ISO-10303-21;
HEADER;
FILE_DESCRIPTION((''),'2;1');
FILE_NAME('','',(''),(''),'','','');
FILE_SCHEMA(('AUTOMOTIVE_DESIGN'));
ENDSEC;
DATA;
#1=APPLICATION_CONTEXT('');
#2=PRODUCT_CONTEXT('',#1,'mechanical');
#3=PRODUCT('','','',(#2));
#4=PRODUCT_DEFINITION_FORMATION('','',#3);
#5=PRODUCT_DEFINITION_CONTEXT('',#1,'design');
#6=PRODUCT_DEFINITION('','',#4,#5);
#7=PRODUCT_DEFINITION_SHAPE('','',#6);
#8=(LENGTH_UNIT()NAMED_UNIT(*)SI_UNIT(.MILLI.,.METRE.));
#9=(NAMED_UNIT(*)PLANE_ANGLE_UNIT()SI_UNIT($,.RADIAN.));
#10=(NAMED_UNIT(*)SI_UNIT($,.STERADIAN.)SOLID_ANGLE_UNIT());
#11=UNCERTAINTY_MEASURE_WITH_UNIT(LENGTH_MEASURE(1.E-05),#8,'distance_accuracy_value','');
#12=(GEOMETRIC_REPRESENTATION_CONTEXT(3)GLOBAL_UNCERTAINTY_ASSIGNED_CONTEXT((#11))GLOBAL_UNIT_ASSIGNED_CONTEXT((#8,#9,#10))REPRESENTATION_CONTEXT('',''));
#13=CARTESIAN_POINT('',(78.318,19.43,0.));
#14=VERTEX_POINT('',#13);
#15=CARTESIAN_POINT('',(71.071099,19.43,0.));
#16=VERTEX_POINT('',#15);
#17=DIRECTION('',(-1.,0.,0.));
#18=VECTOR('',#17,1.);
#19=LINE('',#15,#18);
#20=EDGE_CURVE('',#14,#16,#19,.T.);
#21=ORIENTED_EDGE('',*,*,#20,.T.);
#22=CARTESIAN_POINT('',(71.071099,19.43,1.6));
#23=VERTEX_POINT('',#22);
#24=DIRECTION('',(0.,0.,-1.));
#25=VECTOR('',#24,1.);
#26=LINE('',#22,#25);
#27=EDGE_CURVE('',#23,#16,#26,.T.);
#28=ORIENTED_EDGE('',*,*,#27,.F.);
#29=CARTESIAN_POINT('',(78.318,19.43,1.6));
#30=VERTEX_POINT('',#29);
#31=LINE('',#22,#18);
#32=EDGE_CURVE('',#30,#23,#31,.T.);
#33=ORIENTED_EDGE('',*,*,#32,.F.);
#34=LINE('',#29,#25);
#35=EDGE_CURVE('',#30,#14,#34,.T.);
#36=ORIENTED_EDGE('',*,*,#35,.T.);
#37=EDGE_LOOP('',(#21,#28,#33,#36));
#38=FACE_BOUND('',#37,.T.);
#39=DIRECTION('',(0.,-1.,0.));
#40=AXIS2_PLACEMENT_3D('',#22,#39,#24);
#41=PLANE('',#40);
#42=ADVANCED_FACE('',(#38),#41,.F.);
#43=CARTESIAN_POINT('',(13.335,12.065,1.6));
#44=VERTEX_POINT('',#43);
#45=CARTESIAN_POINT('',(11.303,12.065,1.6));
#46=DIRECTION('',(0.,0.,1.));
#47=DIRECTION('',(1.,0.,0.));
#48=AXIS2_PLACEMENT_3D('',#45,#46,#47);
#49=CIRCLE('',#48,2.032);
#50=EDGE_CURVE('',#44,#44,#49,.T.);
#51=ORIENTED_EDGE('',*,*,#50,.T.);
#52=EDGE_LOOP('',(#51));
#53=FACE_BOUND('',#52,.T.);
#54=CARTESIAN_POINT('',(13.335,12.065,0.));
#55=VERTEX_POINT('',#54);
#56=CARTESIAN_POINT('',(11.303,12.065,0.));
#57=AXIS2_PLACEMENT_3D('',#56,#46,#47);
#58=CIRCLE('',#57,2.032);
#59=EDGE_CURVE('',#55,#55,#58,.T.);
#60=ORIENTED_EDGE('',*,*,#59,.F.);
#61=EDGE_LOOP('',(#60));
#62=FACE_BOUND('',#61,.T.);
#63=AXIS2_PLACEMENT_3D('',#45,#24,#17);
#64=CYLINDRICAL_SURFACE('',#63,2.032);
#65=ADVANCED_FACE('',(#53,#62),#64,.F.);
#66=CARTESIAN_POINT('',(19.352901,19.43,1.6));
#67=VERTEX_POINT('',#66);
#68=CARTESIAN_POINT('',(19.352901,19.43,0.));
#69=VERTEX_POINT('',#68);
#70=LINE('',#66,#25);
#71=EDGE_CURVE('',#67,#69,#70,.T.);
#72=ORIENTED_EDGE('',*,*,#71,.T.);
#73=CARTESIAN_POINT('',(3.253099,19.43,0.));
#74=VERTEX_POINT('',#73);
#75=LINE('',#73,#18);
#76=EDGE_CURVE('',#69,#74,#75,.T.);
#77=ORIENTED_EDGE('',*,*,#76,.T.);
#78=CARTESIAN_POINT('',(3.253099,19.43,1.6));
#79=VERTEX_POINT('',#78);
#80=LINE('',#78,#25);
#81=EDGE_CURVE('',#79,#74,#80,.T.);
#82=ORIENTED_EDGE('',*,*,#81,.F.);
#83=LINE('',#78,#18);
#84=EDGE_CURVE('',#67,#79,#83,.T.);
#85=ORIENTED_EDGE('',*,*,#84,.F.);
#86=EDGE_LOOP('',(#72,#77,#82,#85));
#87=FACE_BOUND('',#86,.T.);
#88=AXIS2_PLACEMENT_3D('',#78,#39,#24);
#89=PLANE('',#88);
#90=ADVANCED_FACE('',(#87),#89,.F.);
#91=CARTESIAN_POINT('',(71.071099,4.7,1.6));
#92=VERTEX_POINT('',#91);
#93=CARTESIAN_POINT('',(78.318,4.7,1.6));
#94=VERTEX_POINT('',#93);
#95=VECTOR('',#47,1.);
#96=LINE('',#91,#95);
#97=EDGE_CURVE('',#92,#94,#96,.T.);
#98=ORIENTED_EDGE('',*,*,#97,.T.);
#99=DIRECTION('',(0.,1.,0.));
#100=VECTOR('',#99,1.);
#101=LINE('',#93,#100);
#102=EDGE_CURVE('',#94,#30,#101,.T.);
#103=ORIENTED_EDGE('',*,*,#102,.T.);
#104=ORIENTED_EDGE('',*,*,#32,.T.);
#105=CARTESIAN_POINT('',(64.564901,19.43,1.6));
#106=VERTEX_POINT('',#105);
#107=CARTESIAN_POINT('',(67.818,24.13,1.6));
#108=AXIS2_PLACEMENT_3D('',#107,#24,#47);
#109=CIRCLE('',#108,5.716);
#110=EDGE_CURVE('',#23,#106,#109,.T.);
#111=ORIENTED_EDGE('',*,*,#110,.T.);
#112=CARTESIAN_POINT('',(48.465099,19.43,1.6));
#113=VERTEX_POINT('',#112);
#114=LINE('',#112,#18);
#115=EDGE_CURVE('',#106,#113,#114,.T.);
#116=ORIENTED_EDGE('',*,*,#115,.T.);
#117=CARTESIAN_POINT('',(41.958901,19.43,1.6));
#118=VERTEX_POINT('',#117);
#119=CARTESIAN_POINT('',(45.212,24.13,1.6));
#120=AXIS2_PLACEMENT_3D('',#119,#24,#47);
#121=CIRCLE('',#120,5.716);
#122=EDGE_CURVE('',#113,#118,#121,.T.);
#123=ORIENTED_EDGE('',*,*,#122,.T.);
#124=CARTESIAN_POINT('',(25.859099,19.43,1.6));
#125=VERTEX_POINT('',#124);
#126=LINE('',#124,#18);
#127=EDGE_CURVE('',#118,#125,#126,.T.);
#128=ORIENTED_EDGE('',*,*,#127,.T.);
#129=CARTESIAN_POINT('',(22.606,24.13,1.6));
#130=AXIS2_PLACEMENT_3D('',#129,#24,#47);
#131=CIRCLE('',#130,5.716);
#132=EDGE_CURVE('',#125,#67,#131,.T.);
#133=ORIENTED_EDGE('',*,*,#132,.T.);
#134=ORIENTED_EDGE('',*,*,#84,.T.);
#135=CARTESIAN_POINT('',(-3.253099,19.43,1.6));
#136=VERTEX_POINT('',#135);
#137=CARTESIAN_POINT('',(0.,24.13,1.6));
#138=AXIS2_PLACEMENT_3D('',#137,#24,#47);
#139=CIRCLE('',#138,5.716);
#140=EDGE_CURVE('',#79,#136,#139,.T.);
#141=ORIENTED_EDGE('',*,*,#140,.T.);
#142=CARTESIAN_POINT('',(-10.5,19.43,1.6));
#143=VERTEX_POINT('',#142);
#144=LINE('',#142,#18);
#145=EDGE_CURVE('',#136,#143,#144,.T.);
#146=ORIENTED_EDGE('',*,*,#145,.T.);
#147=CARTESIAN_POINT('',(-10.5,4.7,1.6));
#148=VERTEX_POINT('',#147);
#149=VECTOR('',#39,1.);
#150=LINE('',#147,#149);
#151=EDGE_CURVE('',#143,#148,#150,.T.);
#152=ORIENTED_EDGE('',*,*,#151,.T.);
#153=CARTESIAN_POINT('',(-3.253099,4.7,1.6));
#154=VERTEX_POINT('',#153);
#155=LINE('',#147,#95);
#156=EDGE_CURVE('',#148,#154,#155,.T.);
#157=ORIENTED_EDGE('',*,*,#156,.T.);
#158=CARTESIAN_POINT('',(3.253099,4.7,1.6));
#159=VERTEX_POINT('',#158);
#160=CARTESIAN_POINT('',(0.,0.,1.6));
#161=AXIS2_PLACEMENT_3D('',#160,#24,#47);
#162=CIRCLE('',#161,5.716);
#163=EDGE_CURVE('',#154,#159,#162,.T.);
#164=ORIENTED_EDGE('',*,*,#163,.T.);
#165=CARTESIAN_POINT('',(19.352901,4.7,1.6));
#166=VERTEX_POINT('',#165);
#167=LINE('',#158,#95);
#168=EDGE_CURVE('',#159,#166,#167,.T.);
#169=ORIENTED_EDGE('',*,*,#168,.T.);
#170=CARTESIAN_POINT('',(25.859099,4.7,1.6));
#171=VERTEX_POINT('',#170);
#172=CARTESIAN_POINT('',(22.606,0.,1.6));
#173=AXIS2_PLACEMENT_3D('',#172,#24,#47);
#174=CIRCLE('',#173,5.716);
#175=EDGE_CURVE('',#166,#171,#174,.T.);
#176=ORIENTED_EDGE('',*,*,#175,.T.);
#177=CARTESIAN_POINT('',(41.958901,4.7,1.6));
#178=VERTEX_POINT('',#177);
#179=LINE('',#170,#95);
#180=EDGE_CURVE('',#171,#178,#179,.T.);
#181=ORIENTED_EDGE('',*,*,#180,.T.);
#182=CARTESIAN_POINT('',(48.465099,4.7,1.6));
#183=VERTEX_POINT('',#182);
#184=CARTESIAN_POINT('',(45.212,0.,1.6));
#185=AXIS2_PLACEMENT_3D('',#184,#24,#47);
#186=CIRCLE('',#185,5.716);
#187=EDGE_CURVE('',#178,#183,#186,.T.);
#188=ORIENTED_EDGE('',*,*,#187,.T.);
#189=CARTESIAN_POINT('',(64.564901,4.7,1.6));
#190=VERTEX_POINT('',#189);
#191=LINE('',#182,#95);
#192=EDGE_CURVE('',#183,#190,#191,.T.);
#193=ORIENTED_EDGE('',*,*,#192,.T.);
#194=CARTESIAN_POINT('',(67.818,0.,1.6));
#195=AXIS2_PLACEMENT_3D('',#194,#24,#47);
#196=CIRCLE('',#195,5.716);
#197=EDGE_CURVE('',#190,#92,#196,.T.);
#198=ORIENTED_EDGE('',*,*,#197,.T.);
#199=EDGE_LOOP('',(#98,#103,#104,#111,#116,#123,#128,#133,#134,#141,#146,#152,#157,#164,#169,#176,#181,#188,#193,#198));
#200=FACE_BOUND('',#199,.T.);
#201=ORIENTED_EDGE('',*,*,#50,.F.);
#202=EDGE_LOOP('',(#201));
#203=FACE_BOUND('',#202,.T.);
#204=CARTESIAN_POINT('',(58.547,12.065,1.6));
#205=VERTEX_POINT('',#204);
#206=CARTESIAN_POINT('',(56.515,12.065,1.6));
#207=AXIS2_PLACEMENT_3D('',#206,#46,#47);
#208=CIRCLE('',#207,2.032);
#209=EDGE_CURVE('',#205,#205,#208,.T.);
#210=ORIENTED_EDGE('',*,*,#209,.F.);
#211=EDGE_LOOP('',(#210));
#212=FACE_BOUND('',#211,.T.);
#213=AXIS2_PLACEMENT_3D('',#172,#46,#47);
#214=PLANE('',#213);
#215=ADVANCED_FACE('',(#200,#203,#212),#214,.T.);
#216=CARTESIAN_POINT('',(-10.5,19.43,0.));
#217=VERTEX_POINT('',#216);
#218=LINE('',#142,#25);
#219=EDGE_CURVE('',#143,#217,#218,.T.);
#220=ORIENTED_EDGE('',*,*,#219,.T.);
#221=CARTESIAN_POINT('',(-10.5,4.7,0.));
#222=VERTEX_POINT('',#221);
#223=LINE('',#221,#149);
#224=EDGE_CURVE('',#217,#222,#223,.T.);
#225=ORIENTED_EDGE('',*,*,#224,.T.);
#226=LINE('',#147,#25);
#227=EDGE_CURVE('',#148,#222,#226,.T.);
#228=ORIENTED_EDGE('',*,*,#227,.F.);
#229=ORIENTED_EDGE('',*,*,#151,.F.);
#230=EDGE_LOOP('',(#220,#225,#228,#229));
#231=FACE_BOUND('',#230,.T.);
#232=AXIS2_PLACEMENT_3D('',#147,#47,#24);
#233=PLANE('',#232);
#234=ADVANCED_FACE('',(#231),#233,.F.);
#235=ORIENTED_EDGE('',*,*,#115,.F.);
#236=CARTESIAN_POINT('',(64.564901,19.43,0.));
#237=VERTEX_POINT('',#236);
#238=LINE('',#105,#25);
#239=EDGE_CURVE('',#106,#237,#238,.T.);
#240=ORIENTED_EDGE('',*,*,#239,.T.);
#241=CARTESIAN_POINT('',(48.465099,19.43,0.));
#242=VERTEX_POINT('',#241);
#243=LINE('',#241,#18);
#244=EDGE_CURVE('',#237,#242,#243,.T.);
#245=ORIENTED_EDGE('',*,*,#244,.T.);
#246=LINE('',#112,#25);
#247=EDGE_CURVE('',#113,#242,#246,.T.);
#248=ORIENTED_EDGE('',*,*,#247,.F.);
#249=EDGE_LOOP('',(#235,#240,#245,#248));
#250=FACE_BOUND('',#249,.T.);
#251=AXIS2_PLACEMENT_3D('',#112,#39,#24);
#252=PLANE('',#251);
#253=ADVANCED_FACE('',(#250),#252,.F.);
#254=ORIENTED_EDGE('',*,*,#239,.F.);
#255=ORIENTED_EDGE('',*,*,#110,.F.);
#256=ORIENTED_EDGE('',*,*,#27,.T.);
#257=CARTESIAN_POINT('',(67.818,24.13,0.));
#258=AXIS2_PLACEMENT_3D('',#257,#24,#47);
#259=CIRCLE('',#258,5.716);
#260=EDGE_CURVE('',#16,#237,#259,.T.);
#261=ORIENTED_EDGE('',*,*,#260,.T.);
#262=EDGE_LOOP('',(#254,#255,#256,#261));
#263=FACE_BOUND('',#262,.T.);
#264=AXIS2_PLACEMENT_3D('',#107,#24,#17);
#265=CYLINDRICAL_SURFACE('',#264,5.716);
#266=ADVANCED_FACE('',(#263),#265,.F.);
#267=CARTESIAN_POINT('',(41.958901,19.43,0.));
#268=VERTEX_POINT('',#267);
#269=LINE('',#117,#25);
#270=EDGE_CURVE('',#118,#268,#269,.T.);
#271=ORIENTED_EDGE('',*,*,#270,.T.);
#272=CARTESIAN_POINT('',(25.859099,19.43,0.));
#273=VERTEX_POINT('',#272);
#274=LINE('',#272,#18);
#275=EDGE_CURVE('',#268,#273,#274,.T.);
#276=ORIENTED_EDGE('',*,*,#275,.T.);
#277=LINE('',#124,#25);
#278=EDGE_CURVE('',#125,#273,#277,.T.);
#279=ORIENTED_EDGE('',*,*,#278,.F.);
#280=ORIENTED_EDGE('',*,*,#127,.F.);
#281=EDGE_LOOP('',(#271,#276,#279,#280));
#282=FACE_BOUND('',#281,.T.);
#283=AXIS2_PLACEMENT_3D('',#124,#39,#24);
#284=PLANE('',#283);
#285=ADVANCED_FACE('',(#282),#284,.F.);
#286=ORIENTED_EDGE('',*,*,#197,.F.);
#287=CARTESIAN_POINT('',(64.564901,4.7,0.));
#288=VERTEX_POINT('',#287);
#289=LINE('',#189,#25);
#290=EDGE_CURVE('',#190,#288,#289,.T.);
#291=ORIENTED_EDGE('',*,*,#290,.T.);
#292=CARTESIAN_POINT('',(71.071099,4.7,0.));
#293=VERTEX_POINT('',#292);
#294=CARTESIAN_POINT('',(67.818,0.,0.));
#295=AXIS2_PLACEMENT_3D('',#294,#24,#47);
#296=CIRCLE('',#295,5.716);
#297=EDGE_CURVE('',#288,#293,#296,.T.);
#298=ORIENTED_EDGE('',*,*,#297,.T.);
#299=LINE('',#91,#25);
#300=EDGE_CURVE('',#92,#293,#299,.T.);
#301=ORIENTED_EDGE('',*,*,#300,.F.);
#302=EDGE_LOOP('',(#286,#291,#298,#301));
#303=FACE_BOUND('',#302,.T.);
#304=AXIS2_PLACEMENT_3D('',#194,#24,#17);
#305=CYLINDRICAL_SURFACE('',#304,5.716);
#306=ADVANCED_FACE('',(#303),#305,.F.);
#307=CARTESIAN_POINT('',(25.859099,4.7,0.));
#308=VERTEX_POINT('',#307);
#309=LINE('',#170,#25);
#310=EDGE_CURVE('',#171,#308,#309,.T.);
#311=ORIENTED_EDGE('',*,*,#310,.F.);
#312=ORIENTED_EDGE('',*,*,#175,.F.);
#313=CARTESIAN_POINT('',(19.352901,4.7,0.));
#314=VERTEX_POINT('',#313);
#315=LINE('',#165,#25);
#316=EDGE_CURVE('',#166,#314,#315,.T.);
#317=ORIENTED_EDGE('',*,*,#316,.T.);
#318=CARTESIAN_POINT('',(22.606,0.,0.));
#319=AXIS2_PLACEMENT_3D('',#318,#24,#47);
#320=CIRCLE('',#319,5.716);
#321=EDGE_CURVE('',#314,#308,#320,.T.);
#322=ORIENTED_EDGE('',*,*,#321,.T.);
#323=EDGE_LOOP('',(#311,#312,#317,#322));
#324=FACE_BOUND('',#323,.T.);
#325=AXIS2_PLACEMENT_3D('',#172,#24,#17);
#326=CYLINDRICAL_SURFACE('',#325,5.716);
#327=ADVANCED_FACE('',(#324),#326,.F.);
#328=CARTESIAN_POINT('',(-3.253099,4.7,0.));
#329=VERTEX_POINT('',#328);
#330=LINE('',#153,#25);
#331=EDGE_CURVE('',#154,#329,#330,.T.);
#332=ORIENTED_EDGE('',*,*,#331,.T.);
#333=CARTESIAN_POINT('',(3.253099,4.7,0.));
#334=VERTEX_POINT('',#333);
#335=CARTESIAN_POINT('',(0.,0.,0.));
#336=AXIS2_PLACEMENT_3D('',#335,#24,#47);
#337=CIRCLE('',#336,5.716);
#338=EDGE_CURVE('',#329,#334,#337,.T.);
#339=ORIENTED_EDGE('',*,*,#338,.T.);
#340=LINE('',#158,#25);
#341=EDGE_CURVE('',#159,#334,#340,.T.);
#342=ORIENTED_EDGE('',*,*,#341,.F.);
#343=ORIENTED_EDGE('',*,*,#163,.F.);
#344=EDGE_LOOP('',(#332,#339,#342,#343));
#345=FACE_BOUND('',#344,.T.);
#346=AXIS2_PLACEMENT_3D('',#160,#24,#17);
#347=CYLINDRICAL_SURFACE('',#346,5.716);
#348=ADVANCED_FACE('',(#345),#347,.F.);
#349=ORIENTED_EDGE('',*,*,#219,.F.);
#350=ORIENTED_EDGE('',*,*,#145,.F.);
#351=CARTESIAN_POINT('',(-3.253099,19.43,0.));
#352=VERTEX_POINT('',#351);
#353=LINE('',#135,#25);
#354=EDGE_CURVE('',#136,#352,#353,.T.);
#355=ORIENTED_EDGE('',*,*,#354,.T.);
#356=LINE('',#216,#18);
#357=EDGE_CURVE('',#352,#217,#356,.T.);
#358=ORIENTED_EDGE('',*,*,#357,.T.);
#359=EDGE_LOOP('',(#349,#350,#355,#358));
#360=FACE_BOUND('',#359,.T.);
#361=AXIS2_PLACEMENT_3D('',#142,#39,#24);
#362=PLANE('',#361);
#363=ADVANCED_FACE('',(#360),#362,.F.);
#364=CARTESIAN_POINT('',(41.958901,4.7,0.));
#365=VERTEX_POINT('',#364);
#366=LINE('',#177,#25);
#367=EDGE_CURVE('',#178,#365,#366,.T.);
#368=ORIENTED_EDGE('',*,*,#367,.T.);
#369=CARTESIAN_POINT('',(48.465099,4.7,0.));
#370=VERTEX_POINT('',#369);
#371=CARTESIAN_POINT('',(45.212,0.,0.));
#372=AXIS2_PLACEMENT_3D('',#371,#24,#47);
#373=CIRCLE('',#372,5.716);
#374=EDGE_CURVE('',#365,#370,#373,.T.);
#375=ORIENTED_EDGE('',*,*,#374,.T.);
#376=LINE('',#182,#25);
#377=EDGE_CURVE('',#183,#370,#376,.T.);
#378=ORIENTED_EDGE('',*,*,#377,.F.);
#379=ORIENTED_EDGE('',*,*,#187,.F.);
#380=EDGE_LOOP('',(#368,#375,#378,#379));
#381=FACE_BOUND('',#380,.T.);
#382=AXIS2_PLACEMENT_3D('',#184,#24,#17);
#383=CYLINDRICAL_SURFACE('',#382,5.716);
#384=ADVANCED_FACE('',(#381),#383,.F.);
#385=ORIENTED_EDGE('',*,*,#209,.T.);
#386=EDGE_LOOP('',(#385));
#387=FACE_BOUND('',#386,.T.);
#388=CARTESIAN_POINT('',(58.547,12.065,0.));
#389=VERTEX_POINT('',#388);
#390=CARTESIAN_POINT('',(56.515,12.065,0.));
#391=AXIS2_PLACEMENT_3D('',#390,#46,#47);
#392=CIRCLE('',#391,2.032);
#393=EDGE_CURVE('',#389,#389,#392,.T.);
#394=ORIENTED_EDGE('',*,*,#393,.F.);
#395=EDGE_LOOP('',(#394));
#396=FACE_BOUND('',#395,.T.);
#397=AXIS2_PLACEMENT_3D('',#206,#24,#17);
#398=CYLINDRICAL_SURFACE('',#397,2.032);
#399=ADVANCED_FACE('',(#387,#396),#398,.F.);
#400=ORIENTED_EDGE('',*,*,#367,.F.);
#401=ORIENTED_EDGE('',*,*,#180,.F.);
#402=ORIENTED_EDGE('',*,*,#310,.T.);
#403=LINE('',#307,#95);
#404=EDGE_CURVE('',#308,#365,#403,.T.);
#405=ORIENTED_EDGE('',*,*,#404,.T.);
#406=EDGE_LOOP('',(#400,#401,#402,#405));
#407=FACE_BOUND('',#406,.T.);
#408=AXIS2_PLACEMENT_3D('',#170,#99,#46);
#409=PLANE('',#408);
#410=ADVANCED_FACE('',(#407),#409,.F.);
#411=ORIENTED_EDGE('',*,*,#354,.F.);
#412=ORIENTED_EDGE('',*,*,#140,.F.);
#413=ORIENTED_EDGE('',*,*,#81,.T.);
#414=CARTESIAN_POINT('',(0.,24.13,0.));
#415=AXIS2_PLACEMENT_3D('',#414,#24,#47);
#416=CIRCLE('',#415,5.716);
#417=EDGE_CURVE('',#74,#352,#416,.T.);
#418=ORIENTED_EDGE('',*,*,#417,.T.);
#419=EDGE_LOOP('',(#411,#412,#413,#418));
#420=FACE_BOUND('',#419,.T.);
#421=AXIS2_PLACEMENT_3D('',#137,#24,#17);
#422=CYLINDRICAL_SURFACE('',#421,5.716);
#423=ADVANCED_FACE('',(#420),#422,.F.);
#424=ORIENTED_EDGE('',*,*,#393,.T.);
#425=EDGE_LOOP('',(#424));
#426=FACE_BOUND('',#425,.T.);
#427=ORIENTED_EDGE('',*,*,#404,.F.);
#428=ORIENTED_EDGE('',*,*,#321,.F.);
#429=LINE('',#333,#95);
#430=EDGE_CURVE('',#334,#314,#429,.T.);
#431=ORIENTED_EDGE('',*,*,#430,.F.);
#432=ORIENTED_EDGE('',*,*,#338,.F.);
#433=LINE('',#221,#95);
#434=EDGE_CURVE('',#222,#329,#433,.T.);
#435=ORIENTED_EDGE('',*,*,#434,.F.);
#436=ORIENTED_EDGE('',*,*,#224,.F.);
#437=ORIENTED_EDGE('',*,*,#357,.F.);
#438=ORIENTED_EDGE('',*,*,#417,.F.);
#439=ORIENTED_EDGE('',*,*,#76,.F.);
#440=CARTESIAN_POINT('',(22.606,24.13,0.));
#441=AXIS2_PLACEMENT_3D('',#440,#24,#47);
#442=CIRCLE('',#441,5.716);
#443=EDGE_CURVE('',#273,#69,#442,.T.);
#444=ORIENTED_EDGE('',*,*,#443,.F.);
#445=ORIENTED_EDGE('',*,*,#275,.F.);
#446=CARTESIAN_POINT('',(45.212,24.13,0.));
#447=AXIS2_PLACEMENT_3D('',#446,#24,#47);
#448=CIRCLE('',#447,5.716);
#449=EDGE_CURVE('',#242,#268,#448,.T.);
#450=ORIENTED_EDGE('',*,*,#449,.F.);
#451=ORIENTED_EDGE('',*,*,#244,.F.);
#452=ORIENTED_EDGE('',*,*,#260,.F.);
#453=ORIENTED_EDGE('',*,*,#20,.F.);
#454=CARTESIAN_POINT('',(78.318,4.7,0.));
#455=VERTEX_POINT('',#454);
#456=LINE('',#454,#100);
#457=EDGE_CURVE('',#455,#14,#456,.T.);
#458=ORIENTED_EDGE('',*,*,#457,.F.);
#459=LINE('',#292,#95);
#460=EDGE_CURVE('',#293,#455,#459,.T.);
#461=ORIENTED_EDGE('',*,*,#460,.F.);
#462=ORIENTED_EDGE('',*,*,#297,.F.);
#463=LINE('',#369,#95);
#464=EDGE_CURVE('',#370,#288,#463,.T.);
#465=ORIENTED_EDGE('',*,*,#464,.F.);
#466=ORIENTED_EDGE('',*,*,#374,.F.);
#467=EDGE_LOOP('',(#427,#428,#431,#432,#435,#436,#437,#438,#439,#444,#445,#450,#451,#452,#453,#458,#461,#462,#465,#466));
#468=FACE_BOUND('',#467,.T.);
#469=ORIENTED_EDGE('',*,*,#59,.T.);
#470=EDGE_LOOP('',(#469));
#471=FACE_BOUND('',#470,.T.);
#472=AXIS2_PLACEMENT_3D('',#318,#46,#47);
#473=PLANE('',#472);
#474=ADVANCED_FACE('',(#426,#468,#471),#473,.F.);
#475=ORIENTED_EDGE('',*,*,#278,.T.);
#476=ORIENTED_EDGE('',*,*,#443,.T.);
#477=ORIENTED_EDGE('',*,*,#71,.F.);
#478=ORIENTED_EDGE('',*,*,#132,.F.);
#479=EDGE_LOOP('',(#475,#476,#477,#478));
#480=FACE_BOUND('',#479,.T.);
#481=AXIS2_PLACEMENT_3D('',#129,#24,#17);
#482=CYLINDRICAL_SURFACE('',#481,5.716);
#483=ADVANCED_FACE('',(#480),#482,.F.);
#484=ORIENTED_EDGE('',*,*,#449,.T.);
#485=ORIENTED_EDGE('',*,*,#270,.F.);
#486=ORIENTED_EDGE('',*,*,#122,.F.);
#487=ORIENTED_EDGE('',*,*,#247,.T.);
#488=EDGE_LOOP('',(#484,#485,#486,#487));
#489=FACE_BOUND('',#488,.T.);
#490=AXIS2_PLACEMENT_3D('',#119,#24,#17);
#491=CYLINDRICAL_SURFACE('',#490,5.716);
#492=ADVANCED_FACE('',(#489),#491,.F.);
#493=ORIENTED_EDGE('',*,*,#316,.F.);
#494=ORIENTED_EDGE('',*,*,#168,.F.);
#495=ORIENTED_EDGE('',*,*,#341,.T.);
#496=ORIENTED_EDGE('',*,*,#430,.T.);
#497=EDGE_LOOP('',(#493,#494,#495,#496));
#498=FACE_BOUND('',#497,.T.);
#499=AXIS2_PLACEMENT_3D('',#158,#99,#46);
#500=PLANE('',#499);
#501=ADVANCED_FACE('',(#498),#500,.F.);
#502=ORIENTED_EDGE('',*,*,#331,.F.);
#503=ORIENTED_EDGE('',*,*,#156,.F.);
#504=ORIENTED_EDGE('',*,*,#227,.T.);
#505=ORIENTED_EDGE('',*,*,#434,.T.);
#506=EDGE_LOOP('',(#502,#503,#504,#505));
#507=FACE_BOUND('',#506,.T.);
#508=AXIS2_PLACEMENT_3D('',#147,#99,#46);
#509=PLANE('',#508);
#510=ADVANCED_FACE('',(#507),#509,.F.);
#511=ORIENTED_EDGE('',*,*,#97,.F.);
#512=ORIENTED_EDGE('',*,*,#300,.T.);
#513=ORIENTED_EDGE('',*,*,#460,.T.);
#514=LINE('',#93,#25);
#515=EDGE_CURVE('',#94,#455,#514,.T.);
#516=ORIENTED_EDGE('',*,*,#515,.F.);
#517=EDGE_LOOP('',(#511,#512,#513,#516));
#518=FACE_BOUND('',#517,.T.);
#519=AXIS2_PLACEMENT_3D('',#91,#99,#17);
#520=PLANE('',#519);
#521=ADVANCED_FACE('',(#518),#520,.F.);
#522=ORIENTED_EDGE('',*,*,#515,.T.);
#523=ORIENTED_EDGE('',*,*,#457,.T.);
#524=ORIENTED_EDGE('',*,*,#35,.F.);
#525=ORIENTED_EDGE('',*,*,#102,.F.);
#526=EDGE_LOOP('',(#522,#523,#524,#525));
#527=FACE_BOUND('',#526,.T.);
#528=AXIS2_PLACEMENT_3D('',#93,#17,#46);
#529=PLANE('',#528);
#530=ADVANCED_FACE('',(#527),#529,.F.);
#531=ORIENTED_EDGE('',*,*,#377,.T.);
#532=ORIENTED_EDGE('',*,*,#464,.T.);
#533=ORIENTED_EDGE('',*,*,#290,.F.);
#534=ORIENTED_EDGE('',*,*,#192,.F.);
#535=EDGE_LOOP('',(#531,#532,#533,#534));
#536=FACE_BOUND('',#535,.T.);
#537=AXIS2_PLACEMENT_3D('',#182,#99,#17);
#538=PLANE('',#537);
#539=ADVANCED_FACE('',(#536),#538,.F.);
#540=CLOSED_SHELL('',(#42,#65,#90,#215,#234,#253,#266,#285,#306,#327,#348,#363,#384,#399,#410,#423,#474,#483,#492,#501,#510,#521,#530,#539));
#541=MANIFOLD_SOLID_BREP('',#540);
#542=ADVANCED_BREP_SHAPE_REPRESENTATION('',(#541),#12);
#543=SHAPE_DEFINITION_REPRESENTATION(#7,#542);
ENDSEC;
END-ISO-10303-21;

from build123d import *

# Parameters (mm, degrees)
SKETCH1_R           = 2.032
BOSS_EXTRUDE1_DEPTH = 1.6


with BuildPart() as part:
    # Sketch1 → Boss-Extrude1 (new body)
    with BuildSketch(Plane.XY):
        with BuildLine():
            Line((3.253099445, 19.430000002), (19.352900555, 19.430000002))
            ThreePointArc((19.352900555, 19.430000002), (22.606, 18.414000002), (25.859099445, 19.430000002))
            Line((25.859099445, 19.430000002), (41.958900555, 19.430000002))
            ThreePointArc((41.958900555, 19.430000002), (45.212, 18.414000002), (48.465099445, 19.430000002))
            Line((48.465099445, 19.430000002), (64.564900555, 19.430000002))
            ThreePointArc((64.564900555, 19.430000002), (67.818, 18.414000002), (71.071099445, 19.430000002))
            Line((71.071099445, 19.430000002), (78.318, 19.430000002))
            Line((78.318, 19.430000002), (78.318, 4.699999998))
            Line((78.318, 4.699999998), (71.071099445, 4.699999998))
            ThreePointArc((71.071099445, 4.699999998), (67.818, 5.715999998), (64.564900555, 4.699999998))
            Line((64.564900555, 4.699999998), (48.465099445, 4.699999998))
            ThreePointArc((48.465099445, 4.699999998), (45.212, 5.715999998), (41.958900555, 4.699999998))
            Line((41.958900555, 4.699999998), (25.859099445, 4.699999998))
            ThreePointArc((25.859099445, 4.699999998), (22.606, 5.715999998), (19.352900555, 4.699999998))
            Line((19.352900555, 4.699999998), (3.253099445, 4.699999998))
            ThreePointArc((3.253099445, 4.699999998), (0, 5.715999998), (-3.253099445, 4.699999998))
            Line((-3.253099445, 4.699999998), (-10.5, 4.699999998))
            Line((-10.5, 4.699999998), (-10.5, 19.430000002))
            Line((-10.5, 19.430000002), (-3.253099445, 19.430000002))
            ThreePointArc((-3.253099445, 19.430000002), (0, 18.414000002), (3.253099445, 19.430000002))
        make_face()
        with Locations((11.303, 12.065)):
            Circle(SKETCH1_R, mode=Mode.SUBTRACT)
        with Locations((56.515, 12.065)):
            Circle(SKETCH1_R, mode=Mode.SUBTRACT)
    extrude(amount=BOSS_EXTRUDE1_DEPTH)


solid = part.part
